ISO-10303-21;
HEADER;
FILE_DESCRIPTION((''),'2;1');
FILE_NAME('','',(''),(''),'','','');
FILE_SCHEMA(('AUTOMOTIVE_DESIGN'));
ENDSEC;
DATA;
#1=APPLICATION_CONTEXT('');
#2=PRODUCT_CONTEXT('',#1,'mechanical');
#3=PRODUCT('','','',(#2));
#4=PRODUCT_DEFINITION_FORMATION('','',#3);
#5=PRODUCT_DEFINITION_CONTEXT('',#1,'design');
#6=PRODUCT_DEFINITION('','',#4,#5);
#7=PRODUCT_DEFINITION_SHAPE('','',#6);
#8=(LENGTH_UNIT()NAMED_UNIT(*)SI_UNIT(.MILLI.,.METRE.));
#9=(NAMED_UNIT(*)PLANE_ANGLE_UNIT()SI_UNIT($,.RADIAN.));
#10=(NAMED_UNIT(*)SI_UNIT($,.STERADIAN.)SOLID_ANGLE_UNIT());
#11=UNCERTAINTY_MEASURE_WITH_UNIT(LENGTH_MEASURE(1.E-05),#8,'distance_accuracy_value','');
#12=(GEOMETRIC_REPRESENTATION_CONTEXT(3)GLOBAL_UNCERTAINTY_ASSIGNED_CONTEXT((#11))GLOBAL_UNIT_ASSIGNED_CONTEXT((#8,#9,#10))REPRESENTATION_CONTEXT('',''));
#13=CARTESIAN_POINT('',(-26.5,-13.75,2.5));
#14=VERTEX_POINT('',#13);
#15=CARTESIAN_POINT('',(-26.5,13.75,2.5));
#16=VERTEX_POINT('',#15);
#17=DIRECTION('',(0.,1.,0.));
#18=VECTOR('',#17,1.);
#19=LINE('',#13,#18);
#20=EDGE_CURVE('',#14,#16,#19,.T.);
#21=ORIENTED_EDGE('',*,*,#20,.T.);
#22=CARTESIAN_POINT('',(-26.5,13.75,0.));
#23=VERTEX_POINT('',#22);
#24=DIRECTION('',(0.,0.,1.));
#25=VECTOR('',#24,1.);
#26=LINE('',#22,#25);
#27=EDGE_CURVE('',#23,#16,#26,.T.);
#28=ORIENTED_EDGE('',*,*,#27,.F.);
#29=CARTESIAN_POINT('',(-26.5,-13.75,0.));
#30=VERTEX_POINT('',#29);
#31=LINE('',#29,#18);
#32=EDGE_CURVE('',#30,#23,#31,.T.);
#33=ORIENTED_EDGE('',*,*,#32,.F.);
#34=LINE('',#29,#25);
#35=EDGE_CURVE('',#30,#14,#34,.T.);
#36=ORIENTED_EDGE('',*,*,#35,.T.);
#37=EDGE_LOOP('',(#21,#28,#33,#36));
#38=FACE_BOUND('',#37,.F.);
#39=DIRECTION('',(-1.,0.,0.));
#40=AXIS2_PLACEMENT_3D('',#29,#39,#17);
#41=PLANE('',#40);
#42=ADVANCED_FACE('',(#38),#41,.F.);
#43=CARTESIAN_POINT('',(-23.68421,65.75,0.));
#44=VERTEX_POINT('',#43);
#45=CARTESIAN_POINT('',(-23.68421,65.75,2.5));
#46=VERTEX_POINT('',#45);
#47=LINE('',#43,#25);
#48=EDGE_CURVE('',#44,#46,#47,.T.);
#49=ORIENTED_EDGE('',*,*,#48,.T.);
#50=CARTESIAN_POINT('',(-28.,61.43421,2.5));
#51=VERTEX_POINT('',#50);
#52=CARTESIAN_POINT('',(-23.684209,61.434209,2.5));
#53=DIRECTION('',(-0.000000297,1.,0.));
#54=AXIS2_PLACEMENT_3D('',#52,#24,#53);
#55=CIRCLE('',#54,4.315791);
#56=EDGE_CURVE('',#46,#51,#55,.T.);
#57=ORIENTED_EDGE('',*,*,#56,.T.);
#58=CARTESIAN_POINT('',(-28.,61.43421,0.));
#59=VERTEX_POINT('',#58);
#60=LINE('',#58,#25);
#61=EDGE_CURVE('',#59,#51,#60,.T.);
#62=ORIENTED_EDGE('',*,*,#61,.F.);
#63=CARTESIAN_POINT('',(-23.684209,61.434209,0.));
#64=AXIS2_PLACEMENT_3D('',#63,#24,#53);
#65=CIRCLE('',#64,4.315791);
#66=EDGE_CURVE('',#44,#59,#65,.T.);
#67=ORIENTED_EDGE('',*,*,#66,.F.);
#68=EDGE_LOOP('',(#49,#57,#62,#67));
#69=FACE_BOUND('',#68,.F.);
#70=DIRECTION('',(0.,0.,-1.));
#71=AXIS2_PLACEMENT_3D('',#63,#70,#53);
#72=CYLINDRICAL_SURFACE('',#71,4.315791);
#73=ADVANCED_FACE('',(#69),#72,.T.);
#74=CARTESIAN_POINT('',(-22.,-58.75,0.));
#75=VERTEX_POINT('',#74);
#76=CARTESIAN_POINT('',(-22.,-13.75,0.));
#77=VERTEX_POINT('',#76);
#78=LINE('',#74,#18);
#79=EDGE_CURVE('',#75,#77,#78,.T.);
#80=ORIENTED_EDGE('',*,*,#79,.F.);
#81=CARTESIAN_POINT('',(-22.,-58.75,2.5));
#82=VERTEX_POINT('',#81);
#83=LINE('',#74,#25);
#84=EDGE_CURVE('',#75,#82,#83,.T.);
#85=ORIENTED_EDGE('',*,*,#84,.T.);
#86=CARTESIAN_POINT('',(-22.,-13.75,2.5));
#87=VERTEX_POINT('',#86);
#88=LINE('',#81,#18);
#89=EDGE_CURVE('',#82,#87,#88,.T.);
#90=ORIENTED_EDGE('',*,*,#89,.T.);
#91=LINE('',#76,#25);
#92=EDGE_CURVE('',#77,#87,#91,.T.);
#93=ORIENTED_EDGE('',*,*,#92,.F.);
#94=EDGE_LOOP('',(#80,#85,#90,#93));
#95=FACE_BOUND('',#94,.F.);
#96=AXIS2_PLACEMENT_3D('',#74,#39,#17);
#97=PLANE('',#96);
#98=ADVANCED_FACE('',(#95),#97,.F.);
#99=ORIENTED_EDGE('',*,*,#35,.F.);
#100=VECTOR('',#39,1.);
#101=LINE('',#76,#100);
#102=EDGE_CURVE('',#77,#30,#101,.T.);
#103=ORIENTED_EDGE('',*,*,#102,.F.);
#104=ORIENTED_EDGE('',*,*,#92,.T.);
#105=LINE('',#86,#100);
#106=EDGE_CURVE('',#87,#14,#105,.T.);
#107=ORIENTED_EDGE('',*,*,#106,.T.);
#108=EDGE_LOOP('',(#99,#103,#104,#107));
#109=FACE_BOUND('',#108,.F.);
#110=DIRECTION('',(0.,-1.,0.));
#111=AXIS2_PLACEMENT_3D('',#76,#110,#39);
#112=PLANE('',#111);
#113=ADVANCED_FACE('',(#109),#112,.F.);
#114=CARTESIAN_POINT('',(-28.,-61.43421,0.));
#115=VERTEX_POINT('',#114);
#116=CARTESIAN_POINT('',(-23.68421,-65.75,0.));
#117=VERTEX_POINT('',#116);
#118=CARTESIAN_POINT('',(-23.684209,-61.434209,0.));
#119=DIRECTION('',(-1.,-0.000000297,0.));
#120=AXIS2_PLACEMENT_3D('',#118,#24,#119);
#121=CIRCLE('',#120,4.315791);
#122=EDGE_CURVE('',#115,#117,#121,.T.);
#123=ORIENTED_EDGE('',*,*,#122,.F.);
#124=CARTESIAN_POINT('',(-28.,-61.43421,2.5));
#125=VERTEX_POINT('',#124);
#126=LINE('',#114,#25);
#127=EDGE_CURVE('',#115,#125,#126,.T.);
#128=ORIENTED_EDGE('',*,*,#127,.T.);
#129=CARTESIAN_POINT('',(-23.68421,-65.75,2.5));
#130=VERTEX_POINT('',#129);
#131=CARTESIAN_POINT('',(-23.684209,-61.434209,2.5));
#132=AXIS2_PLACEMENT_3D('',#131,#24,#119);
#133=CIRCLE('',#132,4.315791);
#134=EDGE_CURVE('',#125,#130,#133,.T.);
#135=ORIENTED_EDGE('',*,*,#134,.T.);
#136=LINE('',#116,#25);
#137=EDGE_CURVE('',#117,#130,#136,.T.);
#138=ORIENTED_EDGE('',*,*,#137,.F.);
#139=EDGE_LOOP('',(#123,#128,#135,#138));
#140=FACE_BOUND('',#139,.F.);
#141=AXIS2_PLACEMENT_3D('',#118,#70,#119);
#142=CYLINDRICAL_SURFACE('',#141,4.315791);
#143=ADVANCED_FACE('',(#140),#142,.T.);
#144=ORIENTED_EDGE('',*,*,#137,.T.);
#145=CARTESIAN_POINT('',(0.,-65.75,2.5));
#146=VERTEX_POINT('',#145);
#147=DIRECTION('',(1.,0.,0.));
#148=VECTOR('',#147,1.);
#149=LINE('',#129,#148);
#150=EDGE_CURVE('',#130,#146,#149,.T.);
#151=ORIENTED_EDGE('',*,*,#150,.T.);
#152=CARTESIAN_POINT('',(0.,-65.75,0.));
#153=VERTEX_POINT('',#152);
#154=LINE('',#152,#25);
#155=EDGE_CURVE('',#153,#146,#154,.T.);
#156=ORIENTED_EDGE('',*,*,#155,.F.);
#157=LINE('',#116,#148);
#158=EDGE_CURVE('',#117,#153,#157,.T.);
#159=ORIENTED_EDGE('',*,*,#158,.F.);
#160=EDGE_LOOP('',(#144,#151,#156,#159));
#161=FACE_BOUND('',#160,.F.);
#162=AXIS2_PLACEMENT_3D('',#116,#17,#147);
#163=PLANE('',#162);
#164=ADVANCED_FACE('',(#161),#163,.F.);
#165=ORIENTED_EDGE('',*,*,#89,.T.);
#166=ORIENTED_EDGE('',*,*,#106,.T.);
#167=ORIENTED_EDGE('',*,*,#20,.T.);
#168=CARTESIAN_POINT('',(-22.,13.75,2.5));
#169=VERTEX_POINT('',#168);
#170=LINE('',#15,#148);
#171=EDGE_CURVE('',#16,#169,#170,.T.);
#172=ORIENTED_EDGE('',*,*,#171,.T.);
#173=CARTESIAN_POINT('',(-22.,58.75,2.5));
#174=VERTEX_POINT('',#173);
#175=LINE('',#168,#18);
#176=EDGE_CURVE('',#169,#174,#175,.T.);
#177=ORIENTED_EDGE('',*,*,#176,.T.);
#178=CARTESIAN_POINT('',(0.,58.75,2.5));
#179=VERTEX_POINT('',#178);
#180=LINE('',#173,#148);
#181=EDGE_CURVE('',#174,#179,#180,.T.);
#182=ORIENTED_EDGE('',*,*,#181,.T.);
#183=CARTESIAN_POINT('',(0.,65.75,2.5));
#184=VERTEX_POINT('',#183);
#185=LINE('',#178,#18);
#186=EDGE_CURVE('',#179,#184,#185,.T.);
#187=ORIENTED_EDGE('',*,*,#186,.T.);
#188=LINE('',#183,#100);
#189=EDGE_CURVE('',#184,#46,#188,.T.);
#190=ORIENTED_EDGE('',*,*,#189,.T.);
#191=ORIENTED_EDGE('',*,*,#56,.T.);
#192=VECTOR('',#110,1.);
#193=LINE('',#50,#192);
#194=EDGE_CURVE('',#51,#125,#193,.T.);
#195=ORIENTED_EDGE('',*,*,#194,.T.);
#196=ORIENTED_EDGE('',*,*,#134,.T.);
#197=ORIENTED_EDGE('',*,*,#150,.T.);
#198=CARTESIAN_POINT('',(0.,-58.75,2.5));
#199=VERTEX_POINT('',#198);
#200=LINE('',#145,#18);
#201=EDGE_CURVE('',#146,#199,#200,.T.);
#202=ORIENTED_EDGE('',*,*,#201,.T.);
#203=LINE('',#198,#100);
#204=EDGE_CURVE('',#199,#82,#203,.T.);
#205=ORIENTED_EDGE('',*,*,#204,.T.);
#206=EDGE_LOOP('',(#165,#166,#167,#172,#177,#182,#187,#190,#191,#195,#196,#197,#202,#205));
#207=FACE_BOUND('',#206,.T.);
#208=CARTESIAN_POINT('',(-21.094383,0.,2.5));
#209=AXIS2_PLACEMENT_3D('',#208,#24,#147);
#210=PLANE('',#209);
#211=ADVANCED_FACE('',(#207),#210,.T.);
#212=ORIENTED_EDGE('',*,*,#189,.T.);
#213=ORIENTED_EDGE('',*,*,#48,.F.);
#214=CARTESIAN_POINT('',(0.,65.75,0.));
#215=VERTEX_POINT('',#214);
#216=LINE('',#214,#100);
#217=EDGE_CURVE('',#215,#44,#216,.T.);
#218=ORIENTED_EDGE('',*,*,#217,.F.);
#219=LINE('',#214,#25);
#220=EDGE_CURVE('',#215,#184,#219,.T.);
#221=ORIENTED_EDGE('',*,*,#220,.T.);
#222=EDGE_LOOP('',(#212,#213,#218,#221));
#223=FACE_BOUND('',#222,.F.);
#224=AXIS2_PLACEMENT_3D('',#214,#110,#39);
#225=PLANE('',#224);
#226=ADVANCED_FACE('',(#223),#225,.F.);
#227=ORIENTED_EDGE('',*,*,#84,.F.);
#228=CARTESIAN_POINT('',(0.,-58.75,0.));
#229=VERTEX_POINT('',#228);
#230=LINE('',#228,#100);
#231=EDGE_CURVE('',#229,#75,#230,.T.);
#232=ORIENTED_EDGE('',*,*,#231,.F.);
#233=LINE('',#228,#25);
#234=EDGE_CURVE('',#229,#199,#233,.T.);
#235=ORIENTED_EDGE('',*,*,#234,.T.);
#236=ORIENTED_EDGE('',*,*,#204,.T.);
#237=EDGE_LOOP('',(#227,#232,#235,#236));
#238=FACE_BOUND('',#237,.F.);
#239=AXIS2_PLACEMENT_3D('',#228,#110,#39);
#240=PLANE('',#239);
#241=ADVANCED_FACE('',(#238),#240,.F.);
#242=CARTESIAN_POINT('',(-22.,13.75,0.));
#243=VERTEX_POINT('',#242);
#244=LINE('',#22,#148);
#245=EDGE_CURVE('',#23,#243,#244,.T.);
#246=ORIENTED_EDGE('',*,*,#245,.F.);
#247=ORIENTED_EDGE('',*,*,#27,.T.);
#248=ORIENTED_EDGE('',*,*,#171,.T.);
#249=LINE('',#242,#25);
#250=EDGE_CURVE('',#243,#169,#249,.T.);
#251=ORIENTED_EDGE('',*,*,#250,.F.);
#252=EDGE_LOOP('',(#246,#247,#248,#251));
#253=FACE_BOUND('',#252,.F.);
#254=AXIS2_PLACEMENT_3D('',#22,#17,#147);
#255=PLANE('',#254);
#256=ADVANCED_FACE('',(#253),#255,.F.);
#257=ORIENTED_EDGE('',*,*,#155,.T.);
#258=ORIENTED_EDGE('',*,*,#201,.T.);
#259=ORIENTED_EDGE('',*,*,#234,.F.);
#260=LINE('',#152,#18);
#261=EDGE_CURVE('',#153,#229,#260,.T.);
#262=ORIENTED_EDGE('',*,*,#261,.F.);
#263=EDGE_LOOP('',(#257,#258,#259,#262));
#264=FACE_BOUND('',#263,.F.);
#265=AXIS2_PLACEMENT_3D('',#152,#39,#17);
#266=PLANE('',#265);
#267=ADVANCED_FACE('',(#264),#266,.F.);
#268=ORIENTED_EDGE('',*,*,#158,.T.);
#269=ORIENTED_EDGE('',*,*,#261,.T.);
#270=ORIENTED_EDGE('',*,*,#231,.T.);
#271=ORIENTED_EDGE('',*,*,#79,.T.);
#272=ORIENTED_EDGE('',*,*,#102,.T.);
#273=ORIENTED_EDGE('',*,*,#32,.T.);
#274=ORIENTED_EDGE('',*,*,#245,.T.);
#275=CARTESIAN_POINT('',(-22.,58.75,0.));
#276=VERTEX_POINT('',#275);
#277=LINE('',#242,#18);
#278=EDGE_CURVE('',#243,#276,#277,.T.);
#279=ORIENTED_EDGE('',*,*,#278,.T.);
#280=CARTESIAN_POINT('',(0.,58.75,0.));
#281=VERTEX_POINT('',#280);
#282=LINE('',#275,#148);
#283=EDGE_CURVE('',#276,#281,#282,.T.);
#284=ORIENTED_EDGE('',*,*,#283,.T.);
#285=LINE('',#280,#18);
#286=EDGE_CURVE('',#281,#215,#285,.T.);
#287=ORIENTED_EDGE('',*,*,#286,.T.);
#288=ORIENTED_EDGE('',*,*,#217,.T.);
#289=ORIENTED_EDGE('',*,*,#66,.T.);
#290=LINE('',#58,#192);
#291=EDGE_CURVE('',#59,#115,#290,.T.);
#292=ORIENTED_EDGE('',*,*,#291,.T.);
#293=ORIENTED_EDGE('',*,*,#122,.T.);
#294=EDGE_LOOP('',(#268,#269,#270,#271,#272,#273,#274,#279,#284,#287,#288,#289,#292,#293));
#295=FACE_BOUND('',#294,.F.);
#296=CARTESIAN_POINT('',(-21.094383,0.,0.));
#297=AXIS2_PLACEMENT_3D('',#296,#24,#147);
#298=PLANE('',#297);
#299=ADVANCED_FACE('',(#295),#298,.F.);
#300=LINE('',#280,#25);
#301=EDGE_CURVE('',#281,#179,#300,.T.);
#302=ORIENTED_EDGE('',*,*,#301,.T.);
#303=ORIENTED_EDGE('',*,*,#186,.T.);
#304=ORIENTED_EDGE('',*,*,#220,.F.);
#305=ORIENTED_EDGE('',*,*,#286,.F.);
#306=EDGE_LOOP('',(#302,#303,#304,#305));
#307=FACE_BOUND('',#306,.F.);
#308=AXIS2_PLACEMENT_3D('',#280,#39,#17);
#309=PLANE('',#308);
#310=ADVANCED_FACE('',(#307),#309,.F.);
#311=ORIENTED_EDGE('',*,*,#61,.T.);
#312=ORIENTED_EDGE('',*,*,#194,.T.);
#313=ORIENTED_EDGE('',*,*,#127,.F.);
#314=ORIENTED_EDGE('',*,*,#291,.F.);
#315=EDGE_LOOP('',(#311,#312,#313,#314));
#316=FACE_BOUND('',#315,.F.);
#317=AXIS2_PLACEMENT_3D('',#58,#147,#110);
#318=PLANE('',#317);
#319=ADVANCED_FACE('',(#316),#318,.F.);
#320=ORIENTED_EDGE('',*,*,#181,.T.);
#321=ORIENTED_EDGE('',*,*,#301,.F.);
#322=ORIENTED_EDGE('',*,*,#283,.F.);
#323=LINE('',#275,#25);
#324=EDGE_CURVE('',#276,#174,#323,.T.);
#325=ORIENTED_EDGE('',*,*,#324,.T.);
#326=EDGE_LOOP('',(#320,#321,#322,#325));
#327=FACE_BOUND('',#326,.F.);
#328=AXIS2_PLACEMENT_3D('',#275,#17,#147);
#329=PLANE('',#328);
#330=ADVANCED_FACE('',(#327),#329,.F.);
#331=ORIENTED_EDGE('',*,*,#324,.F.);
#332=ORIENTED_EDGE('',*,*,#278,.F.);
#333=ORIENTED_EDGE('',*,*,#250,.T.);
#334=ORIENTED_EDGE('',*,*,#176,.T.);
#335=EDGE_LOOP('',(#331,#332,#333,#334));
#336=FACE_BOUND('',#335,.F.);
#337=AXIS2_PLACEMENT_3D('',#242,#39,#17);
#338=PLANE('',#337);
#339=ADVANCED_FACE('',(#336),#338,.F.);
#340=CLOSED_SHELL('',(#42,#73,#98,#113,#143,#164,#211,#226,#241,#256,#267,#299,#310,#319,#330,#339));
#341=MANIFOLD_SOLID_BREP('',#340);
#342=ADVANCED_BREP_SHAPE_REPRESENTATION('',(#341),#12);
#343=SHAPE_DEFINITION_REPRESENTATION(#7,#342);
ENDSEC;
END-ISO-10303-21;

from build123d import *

# Parameters (mm, degrees)
F1_DEPTH = 2.5


with BuildPart() as f1:
    # F0 (on Top) → F1 (new body)
    with BuildSketch(Plane.XY):
        with BuildLine():
            Line((-22, 58.75), (0, 58.75))
            Line((0, 58.75), (0, 65.75))
            Line((0, 65.75), (-23.68421, 65.75))
            ThreePointArc((-23.68421, 65.75), (-26.735934, 64.485934), (-28, 61.43421))
            Line((-28, 61.43421), (-28, -61.43421))
            ThreePointArc((-28, -61.43421), (-26.735934, -64.485934), (-23.68421, -65.75))
            Line((-23.68421, -65.75), (0, -65.75))
            Line((0, -65.75), (0, -58.75))
            Line((0, -58.75), (-22, -58.75))
            Line((-22, -58.75), (-22, -13.75))
            Line((-22, -13.75), (-26.5, -13.75))
            Line((-26.5, -13.75), (-26.5, 13.75))
            Line((-26.5, 13.75), (-22, 13.75))
            Line((-22, 13.75), (-22, 58.75))
        make_face()
    extrude(amount=F1_DEPTH)


solid = f1.part
